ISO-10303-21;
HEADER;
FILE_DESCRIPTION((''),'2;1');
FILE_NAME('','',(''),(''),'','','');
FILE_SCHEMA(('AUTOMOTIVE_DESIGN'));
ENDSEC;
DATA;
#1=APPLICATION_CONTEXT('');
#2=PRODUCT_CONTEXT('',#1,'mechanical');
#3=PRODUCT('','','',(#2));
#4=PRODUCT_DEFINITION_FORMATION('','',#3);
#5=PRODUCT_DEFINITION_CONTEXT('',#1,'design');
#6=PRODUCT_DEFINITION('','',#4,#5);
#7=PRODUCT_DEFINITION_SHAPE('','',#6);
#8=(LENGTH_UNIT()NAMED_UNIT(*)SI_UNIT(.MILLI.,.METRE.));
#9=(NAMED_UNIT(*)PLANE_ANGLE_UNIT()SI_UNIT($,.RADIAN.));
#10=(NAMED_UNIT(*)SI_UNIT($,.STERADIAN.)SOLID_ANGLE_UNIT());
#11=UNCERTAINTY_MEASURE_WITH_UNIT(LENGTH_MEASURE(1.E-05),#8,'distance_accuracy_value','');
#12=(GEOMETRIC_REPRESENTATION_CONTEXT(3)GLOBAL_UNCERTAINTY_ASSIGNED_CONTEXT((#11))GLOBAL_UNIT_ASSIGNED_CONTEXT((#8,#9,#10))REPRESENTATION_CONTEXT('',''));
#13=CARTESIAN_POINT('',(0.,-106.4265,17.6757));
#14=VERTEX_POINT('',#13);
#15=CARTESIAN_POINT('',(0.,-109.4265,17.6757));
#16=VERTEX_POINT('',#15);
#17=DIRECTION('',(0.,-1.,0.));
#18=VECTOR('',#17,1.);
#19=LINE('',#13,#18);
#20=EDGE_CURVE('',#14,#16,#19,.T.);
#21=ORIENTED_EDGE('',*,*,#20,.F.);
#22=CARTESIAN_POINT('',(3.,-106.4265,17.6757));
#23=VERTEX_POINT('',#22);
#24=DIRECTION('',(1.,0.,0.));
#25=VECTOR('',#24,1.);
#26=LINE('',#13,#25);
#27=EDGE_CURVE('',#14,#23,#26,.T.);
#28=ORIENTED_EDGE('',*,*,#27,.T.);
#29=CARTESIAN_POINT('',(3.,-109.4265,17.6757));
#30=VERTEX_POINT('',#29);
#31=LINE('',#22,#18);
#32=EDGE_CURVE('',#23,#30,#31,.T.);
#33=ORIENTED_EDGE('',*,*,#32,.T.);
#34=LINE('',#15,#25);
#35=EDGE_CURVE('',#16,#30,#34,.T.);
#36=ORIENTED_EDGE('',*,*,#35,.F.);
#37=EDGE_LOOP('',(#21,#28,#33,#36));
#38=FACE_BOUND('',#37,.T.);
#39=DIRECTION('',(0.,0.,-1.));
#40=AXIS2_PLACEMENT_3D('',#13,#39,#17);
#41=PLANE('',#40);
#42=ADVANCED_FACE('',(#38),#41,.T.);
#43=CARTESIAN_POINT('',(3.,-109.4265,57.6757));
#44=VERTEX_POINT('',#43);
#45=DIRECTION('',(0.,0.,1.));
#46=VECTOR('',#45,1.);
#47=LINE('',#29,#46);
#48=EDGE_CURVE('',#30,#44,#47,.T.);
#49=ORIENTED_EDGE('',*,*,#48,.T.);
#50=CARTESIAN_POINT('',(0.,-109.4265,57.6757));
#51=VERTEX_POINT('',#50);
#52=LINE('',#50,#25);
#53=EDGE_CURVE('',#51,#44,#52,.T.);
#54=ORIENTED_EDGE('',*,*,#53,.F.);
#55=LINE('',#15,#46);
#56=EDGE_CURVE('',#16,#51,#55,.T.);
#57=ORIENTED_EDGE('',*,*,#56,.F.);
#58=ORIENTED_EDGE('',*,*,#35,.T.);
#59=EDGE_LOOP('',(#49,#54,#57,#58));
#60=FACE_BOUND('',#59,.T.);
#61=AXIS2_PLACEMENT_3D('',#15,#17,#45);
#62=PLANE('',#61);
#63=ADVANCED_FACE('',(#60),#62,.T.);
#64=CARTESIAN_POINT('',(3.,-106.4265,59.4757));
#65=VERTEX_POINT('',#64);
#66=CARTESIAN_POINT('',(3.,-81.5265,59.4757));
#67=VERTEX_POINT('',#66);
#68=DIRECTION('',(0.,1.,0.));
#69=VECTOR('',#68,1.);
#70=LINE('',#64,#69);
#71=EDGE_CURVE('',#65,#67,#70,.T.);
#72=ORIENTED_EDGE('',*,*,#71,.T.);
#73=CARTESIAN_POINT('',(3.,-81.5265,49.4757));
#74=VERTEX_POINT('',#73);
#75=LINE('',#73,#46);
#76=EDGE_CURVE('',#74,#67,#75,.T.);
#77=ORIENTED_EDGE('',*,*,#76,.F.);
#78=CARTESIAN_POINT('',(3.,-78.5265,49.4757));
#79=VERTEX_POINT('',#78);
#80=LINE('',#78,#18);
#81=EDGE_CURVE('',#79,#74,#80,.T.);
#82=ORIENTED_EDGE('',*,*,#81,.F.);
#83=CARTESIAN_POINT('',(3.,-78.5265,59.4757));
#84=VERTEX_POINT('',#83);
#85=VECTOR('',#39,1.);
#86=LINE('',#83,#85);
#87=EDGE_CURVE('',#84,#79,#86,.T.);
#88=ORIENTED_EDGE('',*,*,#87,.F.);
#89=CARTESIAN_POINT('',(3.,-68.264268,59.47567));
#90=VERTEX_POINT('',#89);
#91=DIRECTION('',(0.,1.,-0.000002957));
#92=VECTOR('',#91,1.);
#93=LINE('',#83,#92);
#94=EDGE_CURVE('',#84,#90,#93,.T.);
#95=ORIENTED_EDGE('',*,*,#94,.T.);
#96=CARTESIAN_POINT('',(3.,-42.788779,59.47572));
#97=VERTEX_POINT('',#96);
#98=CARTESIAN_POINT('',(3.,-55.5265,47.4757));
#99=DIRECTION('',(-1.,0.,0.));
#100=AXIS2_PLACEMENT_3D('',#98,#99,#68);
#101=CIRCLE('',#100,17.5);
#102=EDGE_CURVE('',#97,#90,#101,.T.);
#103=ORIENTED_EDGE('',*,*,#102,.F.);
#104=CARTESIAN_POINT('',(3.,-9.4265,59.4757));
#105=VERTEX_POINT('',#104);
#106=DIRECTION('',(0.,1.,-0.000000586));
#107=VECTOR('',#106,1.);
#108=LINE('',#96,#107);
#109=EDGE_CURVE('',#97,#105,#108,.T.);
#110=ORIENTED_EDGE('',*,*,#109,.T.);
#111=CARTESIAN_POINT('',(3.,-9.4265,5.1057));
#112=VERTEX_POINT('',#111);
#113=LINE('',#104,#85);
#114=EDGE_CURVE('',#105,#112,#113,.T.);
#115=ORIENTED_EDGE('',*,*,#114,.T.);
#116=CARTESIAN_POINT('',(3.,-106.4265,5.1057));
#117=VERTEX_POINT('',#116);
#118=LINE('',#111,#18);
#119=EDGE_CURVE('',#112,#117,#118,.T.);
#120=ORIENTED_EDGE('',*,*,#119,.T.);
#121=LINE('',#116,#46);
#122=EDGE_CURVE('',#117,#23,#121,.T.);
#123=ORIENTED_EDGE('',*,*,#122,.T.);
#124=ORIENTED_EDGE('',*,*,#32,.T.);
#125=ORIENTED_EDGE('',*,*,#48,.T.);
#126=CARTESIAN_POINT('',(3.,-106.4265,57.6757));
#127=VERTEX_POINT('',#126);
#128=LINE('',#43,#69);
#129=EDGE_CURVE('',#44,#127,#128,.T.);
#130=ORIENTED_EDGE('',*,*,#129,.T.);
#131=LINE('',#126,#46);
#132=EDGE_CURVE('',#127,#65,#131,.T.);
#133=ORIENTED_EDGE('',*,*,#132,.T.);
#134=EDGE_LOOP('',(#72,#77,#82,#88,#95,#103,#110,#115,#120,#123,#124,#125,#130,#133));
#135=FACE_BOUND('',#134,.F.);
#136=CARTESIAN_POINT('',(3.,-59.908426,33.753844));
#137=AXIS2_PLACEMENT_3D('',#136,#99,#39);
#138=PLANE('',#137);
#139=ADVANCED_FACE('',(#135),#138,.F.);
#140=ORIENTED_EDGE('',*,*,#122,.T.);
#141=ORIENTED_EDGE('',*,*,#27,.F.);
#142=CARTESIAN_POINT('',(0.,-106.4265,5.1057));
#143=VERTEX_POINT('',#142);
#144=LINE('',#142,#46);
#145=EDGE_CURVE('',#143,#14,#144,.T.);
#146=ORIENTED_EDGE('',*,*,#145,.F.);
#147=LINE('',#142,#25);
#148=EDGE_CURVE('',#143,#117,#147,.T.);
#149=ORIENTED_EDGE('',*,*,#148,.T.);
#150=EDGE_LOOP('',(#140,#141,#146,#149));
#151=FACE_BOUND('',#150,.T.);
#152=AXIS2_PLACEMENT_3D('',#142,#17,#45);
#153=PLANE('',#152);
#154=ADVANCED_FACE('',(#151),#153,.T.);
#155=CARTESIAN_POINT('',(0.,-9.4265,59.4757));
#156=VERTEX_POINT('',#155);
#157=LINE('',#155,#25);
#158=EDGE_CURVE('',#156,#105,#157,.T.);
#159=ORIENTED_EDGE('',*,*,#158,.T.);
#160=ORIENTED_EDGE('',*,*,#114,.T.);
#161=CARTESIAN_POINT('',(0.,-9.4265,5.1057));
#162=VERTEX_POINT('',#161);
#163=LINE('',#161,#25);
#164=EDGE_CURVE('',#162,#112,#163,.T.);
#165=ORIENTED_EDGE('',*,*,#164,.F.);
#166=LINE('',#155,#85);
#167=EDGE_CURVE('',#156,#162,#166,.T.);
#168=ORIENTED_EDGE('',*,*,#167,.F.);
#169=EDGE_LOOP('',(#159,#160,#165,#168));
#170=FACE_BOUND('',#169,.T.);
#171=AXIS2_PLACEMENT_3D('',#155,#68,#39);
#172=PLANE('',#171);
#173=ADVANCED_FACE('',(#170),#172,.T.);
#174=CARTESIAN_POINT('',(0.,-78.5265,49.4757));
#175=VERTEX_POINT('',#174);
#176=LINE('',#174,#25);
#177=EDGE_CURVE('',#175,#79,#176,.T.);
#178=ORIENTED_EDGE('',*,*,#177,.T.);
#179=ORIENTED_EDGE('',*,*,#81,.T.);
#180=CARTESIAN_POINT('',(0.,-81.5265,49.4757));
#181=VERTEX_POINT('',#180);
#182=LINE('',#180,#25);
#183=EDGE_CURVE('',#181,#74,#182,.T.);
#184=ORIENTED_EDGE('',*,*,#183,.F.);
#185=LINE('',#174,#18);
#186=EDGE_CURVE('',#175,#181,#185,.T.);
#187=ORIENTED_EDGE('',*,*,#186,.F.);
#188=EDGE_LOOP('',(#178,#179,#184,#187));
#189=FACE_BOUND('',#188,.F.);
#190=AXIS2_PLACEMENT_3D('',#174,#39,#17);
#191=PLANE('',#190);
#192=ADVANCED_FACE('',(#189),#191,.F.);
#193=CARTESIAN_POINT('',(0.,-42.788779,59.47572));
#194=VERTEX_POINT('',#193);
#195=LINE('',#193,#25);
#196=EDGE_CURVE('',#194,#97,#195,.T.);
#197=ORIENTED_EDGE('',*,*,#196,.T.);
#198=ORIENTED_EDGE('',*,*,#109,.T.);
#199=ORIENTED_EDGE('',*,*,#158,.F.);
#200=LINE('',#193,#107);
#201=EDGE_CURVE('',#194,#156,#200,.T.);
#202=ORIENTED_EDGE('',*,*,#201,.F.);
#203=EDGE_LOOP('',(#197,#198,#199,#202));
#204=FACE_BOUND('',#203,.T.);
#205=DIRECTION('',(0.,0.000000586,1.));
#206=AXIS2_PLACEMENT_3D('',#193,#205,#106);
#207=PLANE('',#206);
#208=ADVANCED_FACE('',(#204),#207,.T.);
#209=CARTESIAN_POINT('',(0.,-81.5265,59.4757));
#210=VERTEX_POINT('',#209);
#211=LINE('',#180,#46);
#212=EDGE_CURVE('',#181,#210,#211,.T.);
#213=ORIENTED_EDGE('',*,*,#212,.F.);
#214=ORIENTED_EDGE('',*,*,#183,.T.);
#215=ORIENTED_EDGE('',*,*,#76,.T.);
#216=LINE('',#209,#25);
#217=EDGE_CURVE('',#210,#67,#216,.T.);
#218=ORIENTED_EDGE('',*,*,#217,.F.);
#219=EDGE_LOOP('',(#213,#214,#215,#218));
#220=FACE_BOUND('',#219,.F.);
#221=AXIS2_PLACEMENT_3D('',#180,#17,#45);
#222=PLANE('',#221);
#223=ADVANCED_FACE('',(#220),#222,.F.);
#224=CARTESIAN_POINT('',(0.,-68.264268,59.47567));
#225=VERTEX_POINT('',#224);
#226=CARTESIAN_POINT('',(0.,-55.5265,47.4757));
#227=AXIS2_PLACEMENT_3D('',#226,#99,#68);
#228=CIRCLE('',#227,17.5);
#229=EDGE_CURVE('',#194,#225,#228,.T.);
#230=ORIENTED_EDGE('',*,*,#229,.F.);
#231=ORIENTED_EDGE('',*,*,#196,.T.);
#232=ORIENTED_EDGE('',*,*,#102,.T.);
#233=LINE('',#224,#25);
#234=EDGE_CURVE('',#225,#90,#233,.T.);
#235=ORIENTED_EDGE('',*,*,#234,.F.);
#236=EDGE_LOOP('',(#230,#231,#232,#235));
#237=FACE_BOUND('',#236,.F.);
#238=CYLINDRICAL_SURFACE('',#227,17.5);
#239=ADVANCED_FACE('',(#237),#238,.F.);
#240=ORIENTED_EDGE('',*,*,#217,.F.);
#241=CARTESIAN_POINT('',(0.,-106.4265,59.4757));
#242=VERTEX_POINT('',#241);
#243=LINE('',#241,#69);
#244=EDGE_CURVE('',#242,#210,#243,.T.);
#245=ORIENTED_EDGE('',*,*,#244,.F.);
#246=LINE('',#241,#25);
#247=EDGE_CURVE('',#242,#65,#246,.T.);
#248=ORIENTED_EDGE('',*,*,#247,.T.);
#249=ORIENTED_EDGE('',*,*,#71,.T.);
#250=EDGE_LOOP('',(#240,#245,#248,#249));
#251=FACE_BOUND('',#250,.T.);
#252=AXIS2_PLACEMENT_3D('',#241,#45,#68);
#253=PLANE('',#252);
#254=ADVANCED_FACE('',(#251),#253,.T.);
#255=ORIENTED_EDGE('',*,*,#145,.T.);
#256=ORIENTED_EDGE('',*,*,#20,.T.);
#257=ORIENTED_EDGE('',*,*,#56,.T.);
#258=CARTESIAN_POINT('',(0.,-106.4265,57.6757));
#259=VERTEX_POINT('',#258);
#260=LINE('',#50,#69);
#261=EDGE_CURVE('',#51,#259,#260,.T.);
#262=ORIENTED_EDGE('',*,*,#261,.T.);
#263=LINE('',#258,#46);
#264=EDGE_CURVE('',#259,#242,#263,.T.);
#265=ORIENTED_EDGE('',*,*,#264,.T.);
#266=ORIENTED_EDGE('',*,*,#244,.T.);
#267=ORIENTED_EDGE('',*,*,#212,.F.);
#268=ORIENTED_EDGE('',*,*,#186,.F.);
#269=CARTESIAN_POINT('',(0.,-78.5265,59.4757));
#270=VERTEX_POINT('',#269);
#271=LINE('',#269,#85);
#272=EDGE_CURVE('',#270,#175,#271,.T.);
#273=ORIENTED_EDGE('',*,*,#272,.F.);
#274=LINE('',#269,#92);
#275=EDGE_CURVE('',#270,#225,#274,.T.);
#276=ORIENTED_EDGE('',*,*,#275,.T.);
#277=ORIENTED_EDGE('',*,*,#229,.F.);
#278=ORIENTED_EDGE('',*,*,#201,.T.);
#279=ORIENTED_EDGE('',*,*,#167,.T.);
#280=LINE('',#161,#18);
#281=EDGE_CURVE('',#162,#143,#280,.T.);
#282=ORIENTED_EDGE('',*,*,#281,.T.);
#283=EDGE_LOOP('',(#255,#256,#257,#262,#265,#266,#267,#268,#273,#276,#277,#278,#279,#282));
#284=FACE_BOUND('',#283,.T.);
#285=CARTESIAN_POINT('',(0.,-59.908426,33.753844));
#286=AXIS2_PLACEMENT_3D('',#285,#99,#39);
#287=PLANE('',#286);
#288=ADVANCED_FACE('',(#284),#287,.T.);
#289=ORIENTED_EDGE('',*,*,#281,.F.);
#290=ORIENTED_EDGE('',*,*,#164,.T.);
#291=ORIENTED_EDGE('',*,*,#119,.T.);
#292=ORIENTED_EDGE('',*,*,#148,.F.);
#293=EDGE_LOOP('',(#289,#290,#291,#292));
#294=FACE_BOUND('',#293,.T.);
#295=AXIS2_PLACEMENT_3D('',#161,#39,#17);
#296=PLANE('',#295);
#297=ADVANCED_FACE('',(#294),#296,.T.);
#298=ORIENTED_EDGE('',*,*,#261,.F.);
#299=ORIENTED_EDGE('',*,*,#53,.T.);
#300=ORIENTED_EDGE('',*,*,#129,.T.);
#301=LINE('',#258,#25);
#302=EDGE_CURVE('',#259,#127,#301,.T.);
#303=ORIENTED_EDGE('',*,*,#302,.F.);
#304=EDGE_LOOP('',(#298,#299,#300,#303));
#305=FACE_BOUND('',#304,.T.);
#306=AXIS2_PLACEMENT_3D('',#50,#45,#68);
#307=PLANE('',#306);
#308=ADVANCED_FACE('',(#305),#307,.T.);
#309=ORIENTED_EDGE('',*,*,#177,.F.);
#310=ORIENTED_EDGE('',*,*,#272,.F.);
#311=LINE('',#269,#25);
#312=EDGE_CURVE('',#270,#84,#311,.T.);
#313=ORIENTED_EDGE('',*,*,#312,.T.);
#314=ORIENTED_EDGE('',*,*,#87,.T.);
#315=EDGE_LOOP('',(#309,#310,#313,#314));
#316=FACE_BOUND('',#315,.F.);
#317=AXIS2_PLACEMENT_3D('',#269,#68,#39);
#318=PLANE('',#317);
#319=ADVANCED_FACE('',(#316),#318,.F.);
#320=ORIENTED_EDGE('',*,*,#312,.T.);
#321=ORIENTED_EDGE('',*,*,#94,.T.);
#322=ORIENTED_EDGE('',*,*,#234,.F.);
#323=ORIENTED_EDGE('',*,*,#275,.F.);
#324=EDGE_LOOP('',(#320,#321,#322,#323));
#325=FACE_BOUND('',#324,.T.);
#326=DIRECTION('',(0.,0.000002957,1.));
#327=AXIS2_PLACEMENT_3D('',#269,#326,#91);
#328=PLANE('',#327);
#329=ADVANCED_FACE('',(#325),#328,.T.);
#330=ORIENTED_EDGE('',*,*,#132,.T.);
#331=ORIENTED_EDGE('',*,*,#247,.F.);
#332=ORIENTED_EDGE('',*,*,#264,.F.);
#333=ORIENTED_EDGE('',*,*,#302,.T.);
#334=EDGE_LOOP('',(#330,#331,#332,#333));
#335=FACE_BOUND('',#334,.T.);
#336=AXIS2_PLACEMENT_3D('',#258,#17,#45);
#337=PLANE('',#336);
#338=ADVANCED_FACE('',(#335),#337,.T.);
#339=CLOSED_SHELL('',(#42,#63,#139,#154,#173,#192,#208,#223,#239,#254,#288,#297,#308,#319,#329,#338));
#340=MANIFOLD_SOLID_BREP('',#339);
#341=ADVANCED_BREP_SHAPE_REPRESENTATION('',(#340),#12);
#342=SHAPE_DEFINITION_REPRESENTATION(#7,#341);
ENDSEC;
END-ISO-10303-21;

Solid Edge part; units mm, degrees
sketch "Sketch1" plane through (0, 0, 0) normal (1, 0, 0) x (0, 1, 0)
  line L0 (-9.4265, 59.4757) -> (-9.4265, 5.1057)
  line L1 (-9.4265, 5.1057) -> (-106.4265, 5.1057)
  line L2 (-106.4265, 5.1057) -> (-106.4265, 17.6757)
  line L3 (-106.4265, 17.6757) -> (-109.4265, 17.6757)
  line L4 (-109.4265, 17.6757) -> (-109.4265, 57.6757)
  line L5 (-109.4265, 57.6757) -> (-106.4265, 57.6757)
  line L6 (-106.4265, 57.6757) -> (-106.4265, 59.4757)
  line L7 (-106.4265, 59.4757) -> (-81.5265, 59.4757)
  line L8 (-81.5265, 49.4757) -> (-81.5265, 59.4757)
  line L9 (-78.5265, 49.4757) -> (-81.5265, 49.4757)
  line L10 (-78.5265, 59.4757) -> (-78.5265, 49.4757)
  line L11 (-78.5265, 59.4757) -> (-68.2643, 59.4757)
  line L12 (-42.7888, 59.4757) -> (-9.4265, 59.4757)
  arc A0 (-42.7888, 59.4757) -> (-68.2643, 59.4757) centre (-55.5265, 47.4757) cw
  dimension "D1" = 40
  dimension "D2" = 54.37
  dimension "D3" = 3
  dimension "D4" = 100
  dimension "D5" = 1.8
  dimension "D6" = 35
  dimension "D7" = 12
  dimension "D8" = 50.9
  dimension "D9" = 23
  dimension "D10" = 3
  dimension "D11" = 10
extrude "Protrusion1" add sketch "Sketch1" along normal blind 3
properties material "Acier"
